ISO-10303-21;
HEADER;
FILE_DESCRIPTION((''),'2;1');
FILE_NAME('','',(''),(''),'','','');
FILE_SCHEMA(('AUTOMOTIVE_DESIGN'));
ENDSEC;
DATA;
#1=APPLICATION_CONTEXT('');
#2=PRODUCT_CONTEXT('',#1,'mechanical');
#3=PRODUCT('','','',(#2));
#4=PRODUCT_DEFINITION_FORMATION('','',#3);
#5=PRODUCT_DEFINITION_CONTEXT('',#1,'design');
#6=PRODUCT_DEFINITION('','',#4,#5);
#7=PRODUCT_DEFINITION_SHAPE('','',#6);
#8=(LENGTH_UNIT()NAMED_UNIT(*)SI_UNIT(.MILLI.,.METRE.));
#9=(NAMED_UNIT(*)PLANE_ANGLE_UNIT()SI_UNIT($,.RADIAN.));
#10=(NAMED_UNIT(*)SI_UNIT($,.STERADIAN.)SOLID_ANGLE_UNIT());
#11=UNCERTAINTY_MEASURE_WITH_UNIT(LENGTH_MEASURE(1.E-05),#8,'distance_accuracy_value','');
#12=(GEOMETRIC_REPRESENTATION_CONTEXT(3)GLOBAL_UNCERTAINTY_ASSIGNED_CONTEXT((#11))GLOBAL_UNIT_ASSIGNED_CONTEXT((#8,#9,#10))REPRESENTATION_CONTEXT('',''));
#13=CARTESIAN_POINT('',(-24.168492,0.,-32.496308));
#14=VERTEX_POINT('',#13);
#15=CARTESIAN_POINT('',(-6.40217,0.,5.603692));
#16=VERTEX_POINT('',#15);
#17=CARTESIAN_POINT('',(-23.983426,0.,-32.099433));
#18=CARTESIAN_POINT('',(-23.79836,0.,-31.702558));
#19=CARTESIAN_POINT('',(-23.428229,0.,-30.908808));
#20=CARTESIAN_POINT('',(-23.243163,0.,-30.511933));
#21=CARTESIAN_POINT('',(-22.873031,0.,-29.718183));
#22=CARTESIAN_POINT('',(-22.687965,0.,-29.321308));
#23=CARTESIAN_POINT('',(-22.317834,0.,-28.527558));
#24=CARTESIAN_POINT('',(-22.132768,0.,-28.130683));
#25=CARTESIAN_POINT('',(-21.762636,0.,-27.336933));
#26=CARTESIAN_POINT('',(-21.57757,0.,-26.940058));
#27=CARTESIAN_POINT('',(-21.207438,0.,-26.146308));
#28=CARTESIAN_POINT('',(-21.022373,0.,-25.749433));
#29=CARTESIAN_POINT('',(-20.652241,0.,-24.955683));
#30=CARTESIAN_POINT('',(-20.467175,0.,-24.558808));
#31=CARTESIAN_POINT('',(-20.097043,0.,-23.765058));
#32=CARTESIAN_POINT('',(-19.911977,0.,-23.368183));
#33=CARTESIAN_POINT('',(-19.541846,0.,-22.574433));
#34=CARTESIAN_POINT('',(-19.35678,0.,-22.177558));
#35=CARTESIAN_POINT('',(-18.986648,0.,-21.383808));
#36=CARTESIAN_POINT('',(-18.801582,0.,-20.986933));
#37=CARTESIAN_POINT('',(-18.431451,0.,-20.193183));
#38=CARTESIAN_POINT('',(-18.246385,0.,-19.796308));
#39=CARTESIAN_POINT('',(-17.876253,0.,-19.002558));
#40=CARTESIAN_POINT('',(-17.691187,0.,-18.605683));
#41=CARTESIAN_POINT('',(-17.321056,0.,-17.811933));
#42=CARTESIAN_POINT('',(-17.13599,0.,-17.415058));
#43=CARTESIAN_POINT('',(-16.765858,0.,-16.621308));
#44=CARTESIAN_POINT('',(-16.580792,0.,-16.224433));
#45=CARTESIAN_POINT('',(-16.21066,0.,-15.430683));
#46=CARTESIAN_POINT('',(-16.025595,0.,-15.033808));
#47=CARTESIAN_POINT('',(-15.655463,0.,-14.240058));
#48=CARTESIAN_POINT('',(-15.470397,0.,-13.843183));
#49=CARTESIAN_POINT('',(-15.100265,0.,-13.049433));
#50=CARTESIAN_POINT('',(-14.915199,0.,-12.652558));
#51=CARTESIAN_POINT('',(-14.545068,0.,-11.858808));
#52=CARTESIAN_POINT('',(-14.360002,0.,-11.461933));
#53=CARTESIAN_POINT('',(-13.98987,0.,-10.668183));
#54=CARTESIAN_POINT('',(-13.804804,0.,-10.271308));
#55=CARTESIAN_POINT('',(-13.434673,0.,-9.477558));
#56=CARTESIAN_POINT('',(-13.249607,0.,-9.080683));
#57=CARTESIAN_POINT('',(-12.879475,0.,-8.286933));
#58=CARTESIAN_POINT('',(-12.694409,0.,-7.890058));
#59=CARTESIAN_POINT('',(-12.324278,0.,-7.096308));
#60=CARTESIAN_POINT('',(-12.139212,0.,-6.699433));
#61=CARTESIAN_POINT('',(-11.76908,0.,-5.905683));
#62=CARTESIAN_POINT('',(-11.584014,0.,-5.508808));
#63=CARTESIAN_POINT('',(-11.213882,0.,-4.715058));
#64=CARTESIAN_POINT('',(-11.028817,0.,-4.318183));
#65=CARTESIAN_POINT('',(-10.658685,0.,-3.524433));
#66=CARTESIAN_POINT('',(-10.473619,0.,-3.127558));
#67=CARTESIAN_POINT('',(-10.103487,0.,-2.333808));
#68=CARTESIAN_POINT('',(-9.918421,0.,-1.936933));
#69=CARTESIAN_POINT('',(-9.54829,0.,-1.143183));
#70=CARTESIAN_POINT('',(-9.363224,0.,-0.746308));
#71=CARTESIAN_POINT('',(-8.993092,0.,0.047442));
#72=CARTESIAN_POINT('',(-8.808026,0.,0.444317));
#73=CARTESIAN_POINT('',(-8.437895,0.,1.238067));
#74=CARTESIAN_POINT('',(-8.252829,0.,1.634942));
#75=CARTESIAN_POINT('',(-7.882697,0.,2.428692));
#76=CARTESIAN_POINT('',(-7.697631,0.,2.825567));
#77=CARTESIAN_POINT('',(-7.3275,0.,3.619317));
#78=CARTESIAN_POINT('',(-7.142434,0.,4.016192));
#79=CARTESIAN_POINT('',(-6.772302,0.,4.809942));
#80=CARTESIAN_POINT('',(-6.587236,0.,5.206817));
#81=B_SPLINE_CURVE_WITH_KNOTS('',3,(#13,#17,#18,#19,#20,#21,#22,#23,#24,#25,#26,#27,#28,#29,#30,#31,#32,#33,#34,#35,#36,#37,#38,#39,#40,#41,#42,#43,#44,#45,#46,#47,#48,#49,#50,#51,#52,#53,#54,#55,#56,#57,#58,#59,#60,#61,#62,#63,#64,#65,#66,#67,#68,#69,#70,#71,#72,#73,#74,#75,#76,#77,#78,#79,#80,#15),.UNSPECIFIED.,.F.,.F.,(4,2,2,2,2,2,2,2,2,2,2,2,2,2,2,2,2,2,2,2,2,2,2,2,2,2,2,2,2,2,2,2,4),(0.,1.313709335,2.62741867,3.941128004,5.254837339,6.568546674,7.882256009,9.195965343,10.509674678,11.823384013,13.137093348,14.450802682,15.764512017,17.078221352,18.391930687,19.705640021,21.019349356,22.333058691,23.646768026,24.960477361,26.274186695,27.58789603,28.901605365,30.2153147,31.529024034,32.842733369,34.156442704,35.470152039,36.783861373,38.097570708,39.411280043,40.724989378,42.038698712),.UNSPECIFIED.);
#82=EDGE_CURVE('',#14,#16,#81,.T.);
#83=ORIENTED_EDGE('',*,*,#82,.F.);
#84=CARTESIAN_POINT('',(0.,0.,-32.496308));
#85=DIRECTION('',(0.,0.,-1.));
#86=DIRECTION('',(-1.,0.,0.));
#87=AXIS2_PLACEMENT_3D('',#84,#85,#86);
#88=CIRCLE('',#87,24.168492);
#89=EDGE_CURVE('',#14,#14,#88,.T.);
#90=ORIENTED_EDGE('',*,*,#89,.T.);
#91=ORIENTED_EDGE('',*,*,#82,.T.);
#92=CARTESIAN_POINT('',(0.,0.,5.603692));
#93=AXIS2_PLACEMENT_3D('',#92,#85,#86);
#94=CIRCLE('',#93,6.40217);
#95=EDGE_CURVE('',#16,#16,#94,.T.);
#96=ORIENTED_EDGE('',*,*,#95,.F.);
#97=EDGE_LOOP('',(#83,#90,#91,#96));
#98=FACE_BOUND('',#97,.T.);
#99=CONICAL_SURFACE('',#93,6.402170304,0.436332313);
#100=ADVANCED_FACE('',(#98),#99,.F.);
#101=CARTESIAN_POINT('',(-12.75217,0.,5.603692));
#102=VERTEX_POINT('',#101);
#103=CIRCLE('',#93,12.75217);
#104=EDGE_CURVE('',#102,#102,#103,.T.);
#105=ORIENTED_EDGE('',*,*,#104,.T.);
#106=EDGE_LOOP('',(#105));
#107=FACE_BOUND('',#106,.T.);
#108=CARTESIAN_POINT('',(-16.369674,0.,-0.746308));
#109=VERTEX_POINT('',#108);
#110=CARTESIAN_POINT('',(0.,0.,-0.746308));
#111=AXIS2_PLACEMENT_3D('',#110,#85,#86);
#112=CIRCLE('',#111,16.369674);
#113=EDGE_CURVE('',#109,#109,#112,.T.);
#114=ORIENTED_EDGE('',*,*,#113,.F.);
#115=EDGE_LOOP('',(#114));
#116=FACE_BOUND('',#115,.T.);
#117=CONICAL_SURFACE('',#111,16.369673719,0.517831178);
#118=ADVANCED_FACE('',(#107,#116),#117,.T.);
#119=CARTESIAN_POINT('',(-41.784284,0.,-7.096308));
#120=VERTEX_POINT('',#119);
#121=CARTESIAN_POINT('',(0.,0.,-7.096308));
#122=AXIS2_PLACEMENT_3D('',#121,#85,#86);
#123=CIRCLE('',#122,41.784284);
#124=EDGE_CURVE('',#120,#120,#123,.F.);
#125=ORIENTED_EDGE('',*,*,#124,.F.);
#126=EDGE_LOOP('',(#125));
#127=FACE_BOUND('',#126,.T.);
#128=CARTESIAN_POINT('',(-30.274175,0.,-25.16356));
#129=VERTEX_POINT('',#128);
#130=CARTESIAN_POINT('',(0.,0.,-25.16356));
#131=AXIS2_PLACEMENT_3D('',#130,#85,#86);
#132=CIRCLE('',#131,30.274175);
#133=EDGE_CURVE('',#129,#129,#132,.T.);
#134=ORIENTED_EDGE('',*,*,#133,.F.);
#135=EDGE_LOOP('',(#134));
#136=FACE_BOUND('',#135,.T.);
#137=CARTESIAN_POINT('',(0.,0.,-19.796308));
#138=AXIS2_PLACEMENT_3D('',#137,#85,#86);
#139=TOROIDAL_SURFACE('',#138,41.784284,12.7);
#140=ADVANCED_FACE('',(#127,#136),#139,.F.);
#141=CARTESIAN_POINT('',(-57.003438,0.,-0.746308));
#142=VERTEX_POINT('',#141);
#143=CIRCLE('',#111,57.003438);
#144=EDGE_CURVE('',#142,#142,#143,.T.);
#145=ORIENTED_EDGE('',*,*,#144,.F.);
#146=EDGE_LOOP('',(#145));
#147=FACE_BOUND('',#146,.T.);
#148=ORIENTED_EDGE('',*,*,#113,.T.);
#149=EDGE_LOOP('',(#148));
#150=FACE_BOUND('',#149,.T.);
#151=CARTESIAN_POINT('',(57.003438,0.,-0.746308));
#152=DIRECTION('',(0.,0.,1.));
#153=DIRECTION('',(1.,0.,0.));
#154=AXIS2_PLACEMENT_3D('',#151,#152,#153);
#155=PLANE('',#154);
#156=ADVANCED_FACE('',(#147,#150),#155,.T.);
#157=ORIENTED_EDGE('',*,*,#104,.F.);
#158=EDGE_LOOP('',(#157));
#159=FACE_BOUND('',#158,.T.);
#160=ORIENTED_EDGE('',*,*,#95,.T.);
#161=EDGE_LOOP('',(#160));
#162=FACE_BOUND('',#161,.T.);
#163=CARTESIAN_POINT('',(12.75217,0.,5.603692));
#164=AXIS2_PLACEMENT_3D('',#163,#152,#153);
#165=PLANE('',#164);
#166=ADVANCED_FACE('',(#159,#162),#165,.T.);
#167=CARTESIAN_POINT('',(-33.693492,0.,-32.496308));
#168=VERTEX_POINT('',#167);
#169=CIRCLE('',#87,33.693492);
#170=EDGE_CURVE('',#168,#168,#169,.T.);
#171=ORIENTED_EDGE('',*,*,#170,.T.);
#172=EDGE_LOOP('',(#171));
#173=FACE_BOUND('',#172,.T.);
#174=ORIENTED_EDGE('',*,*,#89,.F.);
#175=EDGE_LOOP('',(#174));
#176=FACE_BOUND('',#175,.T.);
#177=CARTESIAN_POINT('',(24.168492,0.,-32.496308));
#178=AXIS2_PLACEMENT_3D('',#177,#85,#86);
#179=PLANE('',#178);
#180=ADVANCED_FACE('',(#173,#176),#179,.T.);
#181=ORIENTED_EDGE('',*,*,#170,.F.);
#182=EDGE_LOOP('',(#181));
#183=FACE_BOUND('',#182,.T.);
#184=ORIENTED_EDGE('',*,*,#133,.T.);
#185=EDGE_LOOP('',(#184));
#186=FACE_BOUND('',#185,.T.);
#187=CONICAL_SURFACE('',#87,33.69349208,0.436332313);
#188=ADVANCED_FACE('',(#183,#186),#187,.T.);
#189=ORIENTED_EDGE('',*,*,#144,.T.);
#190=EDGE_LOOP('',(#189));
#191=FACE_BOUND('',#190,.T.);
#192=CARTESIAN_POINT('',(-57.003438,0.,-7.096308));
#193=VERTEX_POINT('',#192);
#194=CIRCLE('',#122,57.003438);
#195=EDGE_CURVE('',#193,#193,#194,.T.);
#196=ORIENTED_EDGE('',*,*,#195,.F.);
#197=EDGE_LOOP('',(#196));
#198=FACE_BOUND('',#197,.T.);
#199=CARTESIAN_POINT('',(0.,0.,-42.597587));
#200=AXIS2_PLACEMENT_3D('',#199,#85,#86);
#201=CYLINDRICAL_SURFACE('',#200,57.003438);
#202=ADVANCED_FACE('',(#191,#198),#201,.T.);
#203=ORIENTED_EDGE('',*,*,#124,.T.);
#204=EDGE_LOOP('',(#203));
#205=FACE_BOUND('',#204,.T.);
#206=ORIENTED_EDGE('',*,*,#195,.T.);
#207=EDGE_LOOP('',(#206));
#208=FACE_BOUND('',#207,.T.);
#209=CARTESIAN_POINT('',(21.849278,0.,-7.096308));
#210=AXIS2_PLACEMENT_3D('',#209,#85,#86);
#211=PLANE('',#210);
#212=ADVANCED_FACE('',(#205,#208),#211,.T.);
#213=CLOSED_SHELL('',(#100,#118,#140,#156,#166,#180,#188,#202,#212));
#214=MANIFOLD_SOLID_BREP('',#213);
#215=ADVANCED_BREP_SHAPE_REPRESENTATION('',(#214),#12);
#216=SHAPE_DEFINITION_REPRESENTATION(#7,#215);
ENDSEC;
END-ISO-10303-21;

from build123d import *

# Parameters (mm, degrees)
FILLET1_R = 12.7


with BuildPart() as part:
    # Sketch1 → Revolve1 (revolve)
    with BuildSketch(Plane(origin=(0, 0, 0), x_dir=(1, 0, 0), z_dir=(0, 1, 0))):
        Polygon((-6.402170304, -5.603691702), (-24.16849208, 32.496308298), (-33.69349208, 32.496308298), (-21.849277563, 7.096308298), (-57.003438355, 7.096308298), (-57.003438355, 0.746308298), (-16.369673719, 0.746308298), (-12.752170304, -5.603691702), align=None)
    revolve(axis=Axis((0, 0, -42.597586509), (0, 0, 1)))

    # Fillet1
    fillet1_edges = [part.edges().sort_by_distance(p)[0] for p in [
        (21.849277563, 0, -7.096308298),
    ]]
    fillet(fillet1_edges, radius=FILLET1_R)


solid = part.part
